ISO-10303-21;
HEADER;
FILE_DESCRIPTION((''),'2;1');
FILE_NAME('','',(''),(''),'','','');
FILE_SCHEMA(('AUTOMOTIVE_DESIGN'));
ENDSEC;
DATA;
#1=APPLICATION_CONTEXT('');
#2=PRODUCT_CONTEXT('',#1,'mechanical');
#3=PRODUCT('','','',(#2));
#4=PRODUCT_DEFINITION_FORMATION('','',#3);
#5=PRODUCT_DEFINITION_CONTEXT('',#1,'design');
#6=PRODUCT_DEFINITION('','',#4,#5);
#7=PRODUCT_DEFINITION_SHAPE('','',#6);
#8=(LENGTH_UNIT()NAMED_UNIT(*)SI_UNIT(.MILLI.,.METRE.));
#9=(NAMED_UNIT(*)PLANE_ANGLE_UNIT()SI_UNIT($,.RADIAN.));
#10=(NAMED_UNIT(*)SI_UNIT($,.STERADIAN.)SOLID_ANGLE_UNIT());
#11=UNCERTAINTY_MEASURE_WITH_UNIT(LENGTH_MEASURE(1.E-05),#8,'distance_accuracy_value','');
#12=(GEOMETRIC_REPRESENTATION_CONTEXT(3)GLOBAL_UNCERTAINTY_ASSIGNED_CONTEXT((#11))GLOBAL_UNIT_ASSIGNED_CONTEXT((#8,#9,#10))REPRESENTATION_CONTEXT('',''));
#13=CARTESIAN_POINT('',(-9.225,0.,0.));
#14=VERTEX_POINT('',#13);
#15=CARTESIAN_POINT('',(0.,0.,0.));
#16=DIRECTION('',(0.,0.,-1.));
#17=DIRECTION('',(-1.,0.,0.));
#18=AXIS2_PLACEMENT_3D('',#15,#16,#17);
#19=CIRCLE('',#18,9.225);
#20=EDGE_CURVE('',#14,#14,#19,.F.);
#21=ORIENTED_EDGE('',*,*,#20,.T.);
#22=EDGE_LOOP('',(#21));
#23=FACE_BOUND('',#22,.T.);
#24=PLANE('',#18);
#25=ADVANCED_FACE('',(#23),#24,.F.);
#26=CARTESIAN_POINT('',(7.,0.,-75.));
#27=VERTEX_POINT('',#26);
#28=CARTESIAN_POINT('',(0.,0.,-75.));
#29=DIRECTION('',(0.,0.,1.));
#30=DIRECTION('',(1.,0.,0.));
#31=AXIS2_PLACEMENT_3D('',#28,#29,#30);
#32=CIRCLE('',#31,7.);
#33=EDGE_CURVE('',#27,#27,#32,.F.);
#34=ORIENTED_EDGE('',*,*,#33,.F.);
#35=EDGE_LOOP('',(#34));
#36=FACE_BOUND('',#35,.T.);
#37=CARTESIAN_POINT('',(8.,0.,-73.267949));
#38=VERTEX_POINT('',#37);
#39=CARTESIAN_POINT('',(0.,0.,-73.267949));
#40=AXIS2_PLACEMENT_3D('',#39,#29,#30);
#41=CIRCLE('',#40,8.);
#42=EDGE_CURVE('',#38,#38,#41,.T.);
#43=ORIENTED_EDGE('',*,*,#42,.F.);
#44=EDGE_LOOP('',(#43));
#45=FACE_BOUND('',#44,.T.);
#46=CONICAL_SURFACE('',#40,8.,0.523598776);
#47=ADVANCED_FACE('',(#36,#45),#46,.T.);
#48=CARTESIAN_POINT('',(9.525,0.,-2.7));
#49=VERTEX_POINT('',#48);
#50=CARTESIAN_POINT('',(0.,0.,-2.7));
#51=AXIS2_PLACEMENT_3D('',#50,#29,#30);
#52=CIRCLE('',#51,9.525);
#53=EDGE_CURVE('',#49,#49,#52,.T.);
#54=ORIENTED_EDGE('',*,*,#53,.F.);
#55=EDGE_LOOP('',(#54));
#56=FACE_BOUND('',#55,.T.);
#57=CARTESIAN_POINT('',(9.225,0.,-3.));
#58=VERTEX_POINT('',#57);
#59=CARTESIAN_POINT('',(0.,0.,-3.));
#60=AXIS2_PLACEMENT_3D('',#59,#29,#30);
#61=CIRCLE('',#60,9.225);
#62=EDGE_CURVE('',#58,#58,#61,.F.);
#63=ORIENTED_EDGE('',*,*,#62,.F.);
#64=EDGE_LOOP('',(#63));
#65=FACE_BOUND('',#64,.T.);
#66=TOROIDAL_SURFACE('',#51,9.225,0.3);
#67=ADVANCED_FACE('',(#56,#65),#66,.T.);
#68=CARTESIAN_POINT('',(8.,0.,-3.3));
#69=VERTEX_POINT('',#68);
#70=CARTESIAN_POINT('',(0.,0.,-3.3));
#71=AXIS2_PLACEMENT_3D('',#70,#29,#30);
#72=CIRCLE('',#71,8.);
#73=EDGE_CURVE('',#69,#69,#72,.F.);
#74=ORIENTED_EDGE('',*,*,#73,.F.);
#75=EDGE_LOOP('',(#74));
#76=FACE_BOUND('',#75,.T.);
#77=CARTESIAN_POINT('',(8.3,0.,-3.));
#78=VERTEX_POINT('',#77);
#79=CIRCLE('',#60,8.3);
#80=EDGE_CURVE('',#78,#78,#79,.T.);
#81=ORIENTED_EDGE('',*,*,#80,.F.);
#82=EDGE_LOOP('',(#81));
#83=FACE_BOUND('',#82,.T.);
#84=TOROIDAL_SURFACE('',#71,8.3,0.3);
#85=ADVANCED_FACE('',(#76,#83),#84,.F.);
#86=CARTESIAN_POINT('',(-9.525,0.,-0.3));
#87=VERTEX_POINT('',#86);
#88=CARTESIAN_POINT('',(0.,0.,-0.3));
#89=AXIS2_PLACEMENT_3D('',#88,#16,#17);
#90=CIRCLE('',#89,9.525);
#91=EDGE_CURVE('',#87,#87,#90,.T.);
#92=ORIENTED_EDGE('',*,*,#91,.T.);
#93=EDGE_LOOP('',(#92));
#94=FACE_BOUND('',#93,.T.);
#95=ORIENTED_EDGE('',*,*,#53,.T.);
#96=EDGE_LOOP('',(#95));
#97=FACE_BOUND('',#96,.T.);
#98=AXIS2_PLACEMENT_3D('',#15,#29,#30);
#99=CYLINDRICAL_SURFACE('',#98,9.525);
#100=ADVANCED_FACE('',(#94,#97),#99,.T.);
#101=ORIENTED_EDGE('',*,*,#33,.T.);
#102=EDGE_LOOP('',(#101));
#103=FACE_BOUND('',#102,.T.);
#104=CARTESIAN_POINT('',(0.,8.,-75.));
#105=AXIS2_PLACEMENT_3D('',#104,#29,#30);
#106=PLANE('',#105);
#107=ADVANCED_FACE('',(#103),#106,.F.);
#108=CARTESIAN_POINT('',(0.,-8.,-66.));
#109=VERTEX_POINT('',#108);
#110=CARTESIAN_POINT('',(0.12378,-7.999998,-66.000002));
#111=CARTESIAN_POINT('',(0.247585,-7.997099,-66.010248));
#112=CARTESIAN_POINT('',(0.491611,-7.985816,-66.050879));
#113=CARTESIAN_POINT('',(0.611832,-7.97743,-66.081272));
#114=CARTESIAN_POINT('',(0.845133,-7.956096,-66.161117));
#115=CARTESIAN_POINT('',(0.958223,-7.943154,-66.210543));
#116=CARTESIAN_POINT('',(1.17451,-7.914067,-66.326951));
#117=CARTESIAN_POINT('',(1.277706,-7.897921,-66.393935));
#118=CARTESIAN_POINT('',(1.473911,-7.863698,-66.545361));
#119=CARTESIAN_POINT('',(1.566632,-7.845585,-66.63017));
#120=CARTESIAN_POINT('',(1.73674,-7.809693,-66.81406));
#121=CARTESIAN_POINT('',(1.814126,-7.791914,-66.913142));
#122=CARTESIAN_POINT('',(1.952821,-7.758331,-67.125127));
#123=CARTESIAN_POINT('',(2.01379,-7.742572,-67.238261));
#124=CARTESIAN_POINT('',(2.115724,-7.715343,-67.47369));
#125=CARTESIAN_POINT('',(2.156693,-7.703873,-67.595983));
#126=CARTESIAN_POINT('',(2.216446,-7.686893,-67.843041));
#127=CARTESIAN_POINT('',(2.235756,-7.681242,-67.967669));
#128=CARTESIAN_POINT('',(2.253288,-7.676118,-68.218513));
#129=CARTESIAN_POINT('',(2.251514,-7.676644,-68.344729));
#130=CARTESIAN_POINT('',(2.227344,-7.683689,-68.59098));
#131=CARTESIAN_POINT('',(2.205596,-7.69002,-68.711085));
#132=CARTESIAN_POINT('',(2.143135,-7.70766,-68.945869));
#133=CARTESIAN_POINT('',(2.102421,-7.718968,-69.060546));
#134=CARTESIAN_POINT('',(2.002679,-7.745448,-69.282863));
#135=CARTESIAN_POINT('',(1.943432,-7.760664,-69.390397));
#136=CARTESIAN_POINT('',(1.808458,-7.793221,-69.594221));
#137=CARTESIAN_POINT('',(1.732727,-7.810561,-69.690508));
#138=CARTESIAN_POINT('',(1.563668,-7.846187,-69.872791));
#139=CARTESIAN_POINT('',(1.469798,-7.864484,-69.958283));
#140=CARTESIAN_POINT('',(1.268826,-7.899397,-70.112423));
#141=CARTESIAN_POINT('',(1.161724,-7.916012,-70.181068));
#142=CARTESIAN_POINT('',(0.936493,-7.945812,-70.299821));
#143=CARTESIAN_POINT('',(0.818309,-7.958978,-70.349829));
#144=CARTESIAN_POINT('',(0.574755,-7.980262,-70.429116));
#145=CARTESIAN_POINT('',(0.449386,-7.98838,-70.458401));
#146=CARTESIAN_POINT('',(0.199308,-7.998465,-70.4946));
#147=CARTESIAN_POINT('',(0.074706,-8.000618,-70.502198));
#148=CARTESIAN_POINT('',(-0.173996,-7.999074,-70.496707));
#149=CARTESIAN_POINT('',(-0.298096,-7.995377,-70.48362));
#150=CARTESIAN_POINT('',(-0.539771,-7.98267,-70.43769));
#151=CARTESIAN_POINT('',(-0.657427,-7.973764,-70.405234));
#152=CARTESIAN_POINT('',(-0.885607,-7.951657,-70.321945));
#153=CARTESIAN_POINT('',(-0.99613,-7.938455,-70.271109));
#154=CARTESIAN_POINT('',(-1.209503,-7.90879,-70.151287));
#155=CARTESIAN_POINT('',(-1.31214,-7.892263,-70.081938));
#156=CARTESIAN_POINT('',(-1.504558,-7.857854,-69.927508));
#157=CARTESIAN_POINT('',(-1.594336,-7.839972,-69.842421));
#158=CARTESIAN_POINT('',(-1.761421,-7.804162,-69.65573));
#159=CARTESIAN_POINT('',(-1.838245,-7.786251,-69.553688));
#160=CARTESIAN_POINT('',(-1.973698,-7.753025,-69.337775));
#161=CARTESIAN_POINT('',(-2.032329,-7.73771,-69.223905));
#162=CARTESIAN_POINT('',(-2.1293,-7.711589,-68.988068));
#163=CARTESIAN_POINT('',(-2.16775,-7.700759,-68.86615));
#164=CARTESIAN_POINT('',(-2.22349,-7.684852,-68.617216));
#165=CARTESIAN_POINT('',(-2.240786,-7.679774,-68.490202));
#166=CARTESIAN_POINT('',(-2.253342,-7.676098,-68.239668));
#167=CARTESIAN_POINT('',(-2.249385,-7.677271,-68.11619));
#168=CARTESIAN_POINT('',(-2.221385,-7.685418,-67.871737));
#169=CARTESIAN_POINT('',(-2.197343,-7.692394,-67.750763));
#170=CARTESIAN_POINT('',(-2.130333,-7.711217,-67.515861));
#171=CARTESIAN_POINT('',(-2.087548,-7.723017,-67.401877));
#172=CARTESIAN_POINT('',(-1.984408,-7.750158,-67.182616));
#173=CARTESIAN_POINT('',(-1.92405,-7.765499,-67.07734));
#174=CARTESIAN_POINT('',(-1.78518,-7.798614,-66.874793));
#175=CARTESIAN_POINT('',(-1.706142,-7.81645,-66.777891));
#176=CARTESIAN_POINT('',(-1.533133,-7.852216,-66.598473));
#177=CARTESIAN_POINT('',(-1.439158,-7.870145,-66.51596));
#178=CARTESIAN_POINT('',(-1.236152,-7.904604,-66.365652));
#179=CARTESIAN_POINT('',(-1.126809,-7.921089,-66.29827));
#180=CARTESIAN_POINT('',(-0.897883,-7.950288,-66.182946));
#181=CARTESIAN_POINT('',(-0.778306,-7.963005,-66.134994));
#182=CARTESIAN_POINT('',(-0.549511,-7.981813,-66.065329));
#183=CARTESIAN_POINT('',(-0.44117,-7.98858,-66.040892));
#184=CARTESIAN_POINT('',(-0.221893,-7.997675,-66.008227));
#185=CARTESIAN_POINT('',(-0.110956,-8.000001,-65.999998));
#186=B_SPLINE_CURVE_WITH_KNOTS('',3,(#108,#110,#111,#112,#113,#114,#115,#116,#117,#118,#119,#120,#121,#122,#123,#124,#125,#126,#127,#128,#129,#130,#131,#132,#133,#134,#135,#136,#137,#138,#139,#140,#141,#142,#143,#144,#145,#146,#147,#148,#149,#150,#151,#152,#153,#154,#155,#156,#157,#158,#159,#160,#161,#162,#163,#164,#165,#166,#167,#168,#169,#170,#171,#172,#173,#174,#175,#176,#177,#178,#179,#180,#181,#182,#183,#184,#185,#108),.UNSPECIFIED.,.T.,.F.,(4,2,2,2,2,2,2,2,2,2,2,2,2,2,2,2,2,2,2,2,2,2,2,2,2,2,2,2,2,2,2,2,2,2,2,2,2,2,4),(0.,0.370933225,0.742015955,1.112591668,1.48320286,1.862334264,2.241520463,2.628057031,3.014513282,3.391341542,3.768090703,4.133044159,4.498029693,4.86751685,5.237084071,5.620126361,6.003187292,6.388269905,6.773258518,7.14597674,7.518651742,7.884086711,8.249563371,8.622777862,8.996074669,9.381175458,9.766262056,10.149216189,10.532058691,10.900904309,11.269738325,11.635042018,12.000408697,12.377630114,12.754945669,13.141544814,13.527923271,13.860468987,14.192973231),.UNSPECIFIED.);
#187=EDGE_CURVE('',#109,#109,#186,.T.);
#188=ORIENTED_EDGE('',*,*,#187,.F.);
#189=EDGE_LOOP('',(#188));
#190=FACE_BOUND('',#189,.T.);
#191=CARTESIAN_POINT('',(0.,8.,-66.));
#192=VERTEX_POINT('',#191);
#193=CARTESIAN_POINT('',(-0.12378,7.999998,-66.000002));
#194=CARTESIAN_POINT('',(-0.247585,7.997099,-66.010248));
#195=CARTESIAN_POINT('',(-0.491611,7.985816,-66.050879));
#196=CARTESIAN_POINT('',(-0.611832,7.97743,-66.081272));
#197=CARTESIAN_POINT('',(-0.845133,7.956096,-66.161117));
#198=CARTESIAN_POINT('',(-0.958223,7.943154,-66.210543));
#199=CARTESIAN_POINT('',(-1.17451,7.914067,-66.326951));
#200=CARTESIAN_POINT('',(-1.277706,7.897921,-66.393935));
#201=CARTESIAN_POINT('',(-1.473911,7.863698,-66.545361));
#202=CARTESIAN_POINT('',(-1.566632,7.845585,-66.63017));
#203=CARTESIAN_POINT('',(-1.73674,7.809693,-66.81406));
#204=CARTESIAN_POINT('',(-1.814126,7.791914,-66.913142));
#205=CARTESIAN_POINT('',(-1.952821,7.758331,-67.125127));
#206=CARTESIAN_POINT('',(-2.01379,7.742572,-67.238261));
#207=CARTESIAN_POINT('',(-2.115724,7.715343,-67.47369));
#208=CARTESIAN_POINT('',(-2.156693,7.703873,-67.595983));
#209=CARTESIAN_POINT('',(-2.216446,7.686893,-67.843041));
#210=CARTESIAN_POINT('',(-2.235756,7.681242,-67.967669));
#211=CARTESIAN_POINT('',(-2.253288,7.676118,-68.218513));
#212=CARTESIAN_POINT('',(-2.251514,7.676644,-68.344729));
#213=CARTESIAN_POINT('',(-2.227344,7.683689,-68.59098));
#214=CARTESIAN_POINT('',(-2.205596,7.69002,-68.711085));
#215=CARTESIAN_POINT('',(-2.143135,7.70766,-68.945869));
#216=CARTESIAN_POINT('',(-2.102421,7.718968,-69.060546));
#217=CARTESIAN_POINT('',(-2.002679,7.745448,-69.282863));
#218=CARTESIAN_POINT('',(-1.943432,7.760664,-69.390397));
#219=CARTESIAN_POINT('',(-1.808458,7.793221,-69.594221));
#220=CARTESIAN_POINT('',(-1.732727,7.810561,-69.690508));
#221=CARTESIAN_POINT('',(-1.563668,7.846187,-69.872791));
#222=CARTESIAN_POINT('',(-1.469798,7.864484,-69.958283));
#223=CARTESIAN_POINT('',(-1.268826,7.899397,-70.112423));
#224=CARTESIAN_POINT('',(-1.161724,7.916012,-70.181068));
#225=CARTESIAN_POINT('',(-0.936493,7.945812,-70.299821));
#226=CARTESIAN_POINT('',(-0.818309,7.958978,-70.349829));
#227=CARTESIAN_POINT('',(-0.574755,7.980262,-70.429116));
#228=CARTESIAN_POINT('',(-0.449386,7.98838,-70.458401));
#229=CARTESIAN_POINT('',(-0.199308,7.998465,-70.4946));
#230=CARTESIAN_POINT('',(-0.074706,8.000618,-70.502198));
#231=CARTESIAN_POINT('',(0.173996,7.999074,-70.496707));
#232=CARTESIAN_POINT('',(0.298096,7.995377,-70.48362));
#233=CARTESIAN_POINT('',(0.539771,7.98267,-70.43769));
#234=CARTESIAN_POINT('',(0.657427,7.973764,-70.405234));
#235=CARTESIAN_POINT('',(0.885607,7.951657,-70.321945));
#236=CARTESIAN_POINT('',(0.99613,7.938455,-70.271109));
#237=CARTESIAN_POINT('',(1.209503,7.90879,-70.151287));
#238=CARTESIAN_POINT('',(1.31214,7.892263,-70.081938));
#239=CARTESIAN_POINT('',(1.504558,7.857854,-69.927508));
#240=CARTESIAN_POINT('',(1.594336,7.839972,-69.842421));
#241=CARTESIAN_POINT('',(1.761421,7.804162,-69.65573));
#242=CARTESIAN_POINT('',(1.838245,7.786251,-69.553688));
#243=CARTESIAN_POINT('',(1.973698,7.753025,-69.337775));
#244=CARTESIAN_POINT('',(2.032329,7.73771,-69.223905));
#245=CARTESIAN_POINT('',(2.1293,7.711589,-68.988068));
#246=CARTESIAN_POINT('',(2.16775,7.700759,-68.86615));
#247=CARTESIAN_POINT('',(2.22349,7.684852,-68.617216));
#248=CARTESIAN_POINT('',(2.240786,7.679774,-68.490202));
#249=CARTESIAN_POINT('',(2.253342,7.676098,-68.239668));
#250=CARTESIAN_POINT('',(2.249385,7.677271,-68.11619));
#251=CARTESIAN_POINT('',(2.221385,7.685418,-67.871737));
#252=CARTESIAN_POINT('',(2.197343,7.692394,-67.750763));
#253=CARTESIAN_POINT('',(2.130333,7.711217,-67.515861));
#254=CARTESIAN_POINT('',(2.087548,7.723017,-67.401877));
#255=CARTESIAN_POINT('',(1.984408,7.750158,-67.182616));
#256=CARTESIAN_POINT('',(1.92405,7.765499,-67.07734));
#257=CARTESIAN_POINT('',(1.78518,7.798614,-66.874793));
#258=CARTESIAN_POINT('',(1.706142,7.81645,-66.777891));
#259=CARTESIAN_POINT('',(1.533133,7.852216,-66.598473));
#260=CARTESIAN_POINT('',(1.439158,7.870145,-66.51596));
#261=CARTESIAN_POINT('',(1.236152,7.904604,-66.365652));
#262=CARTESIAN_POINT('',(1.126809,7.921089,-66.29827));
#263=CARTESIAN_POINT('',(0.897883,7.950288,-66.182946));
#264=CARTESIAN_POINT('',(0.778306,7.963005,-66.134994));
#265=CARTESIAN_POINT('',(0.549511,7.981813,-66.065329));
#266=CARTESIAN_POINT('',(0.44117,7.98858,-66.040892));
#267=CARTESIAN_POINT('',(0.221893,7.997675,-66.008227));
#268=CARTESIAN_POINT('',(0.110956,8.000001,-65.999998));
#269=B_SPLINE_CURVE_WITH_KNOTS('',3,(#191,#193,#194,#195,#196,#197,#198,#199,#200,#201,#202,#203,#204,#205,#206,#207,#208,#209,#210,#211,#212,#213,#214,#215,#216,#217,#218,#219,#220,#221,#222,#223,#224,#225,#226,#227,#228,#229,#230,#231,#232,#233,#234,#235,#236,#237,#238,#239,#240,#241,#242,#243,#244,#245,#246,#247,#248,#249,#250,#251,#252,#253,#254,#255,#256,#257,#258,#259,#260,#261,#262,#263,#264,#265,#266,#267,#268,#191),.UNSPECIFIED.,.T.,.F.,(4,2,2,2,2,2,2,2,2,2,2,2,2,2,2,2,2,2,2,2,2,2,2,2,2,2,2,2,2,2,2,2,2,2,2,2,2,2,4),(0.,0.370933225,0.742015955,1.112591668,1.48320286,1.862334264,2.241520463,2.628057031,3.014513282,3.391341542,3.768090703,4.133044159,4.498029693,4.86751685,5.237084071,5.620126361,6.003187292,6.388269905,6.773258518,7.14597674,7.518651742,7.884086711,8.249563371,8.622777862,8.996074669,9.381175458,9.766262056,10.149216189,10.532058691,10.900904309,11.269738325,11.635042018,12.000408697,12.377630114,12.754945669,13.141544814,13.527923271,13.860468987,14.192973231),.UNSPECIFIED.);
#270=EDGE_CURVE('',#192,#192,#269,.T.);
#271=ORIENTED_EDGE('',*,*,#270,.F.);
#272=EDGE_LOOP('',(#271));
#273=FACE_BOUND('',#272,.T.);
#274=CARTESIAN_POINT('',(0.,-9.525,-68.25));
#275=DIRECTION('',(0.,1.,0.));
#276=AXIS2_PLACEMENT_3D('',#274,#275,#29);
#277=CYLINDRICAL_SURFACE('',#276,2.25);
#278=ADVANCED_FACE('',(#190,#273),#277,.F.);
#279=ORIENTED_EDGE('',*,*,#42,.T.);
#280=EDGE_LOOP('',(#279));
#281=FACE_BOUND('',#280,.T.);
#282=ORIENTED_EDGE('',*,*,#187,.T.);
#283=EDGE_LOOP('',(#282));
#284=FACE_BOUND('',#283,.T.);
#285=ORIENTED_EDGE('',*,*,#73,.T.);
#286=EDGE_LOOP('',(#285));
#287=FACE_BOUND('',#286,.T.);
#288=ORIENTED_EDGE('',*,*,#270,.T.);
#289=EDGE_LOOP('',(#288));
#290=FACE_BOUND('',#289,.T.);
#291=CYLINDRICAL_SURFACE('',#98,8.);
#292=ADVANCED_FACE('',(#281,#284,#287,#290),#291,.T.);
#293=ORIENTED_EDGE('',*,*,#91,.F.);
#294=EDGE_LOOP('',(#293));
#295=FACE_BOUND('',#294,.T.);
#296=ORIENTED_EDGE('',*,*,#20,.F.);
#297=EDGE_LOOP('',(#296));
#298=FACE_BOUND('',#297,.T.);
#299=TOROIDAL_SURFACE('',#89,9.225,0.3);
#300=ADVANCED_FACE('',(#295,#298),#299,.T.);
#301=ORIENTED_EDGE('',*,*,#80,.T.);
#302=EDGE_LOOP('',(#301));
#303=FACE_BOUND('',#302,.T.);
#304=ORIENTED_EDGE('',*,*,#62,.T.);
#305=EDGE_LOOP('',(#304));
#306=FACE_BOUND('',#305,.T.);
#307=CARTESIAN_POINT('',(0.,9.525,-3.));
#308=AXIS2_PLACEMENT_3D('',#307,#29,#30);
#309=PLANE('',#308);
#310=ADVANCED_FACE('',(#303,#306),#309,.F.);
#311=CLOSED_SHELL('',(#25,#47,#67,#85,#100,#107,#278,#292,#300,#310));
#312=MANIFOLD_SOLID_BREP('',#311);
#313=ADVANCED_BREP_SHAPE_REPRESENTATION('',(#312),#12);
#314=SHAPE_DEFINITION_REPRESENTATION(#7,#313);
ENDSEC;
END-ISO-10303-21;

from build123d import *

# Parameters (mm, degrees)
CORTAR_EXTRUIR1_DEPTH      = 77.200073819
CORTAR_EXTRUIR1_DEPTH_BACK = 77.200073819
CROQUIS2_R                 = 2.25
REDONDEO1_R                = 0.3
CHAFL_N1_SIZE              = 1
CHAFL_N1_SIZE2             = 1.732050808
REDONDEO2_R                = 0.3


with BuildPart() as part:
    # Croquis1 → Revolución1 (revolve)
    with BuildSketch(Plane(origin=(0, 0, 0), x_dir=(0, 0, -1), z_dir=(1, 0, 0)), mode=Mode.PRIVATE) as revoluci_n1_sk:
        Polygon((0, 0), (0, 9.525), (3, 9.525), (3, 8), (75, 8), (75, 0), align=None)
    revolve(revoluci_n1_sk.sketch.rotate(Axis((0, 0, 0), (0, 0, -1)), 90), axis=Axis((0, 0, 0), (0, 0, -1)))

    # Croquis2 → Cortar-Extruir1 (cut, two sides: drawn at the far end of the back side and taken through both)
    with BuildSketch(Plane(origin=(0, 0, 0), x_dir=(1, 0, 0), z_dir=(0, 1, 0)).offset(-CORTAR_EXTRUIR1_DEPTH_BACK)):
        with Locations(Location((0, 68.25, 0), (0, 0, 270))):
            Circle(CROQUIS2_R)
    extrude(amount=CORTAR_EXTRUIR1_DEPTH + CORTAR_EXTRUIR1_DEPTH_BACK, mode=Mode.SUBTRACT)

    # Redondeo1
    redondeo1_edges = [part.edges().sort_by_distance(p)[0] for p in [
        (-8, 0, -3),
    ]]
    fillet(redondeo1_edges, radius=REDONDEO1_R)

    # Chaflán1
    chafl_n1_edges = [part.edges().sort_by_distance(p)[0] for p in [
        (-8, 0, -75),
    ]]
    chafl_n1_side = [part.faces().sort_by_distance(p)[0] for p in [
        (0, 0, -75),
    ]]
    chamfer(chafl_n1_edges, length=CHAFL_N1_SIZE, length2=CHAFL_N1_SIZE2, reference=chafl_n1_side[0])

    # Redondeo2
    redondeo2_edges = [part.edges().sort_by_distance(p)[0] for p in [
        (-9.525, 0, -3),
        (-9.525, 0, 0),
    ]]
    fillet(redondeo2_edges, radius=REDONDEO2_R)


solid = part.part
